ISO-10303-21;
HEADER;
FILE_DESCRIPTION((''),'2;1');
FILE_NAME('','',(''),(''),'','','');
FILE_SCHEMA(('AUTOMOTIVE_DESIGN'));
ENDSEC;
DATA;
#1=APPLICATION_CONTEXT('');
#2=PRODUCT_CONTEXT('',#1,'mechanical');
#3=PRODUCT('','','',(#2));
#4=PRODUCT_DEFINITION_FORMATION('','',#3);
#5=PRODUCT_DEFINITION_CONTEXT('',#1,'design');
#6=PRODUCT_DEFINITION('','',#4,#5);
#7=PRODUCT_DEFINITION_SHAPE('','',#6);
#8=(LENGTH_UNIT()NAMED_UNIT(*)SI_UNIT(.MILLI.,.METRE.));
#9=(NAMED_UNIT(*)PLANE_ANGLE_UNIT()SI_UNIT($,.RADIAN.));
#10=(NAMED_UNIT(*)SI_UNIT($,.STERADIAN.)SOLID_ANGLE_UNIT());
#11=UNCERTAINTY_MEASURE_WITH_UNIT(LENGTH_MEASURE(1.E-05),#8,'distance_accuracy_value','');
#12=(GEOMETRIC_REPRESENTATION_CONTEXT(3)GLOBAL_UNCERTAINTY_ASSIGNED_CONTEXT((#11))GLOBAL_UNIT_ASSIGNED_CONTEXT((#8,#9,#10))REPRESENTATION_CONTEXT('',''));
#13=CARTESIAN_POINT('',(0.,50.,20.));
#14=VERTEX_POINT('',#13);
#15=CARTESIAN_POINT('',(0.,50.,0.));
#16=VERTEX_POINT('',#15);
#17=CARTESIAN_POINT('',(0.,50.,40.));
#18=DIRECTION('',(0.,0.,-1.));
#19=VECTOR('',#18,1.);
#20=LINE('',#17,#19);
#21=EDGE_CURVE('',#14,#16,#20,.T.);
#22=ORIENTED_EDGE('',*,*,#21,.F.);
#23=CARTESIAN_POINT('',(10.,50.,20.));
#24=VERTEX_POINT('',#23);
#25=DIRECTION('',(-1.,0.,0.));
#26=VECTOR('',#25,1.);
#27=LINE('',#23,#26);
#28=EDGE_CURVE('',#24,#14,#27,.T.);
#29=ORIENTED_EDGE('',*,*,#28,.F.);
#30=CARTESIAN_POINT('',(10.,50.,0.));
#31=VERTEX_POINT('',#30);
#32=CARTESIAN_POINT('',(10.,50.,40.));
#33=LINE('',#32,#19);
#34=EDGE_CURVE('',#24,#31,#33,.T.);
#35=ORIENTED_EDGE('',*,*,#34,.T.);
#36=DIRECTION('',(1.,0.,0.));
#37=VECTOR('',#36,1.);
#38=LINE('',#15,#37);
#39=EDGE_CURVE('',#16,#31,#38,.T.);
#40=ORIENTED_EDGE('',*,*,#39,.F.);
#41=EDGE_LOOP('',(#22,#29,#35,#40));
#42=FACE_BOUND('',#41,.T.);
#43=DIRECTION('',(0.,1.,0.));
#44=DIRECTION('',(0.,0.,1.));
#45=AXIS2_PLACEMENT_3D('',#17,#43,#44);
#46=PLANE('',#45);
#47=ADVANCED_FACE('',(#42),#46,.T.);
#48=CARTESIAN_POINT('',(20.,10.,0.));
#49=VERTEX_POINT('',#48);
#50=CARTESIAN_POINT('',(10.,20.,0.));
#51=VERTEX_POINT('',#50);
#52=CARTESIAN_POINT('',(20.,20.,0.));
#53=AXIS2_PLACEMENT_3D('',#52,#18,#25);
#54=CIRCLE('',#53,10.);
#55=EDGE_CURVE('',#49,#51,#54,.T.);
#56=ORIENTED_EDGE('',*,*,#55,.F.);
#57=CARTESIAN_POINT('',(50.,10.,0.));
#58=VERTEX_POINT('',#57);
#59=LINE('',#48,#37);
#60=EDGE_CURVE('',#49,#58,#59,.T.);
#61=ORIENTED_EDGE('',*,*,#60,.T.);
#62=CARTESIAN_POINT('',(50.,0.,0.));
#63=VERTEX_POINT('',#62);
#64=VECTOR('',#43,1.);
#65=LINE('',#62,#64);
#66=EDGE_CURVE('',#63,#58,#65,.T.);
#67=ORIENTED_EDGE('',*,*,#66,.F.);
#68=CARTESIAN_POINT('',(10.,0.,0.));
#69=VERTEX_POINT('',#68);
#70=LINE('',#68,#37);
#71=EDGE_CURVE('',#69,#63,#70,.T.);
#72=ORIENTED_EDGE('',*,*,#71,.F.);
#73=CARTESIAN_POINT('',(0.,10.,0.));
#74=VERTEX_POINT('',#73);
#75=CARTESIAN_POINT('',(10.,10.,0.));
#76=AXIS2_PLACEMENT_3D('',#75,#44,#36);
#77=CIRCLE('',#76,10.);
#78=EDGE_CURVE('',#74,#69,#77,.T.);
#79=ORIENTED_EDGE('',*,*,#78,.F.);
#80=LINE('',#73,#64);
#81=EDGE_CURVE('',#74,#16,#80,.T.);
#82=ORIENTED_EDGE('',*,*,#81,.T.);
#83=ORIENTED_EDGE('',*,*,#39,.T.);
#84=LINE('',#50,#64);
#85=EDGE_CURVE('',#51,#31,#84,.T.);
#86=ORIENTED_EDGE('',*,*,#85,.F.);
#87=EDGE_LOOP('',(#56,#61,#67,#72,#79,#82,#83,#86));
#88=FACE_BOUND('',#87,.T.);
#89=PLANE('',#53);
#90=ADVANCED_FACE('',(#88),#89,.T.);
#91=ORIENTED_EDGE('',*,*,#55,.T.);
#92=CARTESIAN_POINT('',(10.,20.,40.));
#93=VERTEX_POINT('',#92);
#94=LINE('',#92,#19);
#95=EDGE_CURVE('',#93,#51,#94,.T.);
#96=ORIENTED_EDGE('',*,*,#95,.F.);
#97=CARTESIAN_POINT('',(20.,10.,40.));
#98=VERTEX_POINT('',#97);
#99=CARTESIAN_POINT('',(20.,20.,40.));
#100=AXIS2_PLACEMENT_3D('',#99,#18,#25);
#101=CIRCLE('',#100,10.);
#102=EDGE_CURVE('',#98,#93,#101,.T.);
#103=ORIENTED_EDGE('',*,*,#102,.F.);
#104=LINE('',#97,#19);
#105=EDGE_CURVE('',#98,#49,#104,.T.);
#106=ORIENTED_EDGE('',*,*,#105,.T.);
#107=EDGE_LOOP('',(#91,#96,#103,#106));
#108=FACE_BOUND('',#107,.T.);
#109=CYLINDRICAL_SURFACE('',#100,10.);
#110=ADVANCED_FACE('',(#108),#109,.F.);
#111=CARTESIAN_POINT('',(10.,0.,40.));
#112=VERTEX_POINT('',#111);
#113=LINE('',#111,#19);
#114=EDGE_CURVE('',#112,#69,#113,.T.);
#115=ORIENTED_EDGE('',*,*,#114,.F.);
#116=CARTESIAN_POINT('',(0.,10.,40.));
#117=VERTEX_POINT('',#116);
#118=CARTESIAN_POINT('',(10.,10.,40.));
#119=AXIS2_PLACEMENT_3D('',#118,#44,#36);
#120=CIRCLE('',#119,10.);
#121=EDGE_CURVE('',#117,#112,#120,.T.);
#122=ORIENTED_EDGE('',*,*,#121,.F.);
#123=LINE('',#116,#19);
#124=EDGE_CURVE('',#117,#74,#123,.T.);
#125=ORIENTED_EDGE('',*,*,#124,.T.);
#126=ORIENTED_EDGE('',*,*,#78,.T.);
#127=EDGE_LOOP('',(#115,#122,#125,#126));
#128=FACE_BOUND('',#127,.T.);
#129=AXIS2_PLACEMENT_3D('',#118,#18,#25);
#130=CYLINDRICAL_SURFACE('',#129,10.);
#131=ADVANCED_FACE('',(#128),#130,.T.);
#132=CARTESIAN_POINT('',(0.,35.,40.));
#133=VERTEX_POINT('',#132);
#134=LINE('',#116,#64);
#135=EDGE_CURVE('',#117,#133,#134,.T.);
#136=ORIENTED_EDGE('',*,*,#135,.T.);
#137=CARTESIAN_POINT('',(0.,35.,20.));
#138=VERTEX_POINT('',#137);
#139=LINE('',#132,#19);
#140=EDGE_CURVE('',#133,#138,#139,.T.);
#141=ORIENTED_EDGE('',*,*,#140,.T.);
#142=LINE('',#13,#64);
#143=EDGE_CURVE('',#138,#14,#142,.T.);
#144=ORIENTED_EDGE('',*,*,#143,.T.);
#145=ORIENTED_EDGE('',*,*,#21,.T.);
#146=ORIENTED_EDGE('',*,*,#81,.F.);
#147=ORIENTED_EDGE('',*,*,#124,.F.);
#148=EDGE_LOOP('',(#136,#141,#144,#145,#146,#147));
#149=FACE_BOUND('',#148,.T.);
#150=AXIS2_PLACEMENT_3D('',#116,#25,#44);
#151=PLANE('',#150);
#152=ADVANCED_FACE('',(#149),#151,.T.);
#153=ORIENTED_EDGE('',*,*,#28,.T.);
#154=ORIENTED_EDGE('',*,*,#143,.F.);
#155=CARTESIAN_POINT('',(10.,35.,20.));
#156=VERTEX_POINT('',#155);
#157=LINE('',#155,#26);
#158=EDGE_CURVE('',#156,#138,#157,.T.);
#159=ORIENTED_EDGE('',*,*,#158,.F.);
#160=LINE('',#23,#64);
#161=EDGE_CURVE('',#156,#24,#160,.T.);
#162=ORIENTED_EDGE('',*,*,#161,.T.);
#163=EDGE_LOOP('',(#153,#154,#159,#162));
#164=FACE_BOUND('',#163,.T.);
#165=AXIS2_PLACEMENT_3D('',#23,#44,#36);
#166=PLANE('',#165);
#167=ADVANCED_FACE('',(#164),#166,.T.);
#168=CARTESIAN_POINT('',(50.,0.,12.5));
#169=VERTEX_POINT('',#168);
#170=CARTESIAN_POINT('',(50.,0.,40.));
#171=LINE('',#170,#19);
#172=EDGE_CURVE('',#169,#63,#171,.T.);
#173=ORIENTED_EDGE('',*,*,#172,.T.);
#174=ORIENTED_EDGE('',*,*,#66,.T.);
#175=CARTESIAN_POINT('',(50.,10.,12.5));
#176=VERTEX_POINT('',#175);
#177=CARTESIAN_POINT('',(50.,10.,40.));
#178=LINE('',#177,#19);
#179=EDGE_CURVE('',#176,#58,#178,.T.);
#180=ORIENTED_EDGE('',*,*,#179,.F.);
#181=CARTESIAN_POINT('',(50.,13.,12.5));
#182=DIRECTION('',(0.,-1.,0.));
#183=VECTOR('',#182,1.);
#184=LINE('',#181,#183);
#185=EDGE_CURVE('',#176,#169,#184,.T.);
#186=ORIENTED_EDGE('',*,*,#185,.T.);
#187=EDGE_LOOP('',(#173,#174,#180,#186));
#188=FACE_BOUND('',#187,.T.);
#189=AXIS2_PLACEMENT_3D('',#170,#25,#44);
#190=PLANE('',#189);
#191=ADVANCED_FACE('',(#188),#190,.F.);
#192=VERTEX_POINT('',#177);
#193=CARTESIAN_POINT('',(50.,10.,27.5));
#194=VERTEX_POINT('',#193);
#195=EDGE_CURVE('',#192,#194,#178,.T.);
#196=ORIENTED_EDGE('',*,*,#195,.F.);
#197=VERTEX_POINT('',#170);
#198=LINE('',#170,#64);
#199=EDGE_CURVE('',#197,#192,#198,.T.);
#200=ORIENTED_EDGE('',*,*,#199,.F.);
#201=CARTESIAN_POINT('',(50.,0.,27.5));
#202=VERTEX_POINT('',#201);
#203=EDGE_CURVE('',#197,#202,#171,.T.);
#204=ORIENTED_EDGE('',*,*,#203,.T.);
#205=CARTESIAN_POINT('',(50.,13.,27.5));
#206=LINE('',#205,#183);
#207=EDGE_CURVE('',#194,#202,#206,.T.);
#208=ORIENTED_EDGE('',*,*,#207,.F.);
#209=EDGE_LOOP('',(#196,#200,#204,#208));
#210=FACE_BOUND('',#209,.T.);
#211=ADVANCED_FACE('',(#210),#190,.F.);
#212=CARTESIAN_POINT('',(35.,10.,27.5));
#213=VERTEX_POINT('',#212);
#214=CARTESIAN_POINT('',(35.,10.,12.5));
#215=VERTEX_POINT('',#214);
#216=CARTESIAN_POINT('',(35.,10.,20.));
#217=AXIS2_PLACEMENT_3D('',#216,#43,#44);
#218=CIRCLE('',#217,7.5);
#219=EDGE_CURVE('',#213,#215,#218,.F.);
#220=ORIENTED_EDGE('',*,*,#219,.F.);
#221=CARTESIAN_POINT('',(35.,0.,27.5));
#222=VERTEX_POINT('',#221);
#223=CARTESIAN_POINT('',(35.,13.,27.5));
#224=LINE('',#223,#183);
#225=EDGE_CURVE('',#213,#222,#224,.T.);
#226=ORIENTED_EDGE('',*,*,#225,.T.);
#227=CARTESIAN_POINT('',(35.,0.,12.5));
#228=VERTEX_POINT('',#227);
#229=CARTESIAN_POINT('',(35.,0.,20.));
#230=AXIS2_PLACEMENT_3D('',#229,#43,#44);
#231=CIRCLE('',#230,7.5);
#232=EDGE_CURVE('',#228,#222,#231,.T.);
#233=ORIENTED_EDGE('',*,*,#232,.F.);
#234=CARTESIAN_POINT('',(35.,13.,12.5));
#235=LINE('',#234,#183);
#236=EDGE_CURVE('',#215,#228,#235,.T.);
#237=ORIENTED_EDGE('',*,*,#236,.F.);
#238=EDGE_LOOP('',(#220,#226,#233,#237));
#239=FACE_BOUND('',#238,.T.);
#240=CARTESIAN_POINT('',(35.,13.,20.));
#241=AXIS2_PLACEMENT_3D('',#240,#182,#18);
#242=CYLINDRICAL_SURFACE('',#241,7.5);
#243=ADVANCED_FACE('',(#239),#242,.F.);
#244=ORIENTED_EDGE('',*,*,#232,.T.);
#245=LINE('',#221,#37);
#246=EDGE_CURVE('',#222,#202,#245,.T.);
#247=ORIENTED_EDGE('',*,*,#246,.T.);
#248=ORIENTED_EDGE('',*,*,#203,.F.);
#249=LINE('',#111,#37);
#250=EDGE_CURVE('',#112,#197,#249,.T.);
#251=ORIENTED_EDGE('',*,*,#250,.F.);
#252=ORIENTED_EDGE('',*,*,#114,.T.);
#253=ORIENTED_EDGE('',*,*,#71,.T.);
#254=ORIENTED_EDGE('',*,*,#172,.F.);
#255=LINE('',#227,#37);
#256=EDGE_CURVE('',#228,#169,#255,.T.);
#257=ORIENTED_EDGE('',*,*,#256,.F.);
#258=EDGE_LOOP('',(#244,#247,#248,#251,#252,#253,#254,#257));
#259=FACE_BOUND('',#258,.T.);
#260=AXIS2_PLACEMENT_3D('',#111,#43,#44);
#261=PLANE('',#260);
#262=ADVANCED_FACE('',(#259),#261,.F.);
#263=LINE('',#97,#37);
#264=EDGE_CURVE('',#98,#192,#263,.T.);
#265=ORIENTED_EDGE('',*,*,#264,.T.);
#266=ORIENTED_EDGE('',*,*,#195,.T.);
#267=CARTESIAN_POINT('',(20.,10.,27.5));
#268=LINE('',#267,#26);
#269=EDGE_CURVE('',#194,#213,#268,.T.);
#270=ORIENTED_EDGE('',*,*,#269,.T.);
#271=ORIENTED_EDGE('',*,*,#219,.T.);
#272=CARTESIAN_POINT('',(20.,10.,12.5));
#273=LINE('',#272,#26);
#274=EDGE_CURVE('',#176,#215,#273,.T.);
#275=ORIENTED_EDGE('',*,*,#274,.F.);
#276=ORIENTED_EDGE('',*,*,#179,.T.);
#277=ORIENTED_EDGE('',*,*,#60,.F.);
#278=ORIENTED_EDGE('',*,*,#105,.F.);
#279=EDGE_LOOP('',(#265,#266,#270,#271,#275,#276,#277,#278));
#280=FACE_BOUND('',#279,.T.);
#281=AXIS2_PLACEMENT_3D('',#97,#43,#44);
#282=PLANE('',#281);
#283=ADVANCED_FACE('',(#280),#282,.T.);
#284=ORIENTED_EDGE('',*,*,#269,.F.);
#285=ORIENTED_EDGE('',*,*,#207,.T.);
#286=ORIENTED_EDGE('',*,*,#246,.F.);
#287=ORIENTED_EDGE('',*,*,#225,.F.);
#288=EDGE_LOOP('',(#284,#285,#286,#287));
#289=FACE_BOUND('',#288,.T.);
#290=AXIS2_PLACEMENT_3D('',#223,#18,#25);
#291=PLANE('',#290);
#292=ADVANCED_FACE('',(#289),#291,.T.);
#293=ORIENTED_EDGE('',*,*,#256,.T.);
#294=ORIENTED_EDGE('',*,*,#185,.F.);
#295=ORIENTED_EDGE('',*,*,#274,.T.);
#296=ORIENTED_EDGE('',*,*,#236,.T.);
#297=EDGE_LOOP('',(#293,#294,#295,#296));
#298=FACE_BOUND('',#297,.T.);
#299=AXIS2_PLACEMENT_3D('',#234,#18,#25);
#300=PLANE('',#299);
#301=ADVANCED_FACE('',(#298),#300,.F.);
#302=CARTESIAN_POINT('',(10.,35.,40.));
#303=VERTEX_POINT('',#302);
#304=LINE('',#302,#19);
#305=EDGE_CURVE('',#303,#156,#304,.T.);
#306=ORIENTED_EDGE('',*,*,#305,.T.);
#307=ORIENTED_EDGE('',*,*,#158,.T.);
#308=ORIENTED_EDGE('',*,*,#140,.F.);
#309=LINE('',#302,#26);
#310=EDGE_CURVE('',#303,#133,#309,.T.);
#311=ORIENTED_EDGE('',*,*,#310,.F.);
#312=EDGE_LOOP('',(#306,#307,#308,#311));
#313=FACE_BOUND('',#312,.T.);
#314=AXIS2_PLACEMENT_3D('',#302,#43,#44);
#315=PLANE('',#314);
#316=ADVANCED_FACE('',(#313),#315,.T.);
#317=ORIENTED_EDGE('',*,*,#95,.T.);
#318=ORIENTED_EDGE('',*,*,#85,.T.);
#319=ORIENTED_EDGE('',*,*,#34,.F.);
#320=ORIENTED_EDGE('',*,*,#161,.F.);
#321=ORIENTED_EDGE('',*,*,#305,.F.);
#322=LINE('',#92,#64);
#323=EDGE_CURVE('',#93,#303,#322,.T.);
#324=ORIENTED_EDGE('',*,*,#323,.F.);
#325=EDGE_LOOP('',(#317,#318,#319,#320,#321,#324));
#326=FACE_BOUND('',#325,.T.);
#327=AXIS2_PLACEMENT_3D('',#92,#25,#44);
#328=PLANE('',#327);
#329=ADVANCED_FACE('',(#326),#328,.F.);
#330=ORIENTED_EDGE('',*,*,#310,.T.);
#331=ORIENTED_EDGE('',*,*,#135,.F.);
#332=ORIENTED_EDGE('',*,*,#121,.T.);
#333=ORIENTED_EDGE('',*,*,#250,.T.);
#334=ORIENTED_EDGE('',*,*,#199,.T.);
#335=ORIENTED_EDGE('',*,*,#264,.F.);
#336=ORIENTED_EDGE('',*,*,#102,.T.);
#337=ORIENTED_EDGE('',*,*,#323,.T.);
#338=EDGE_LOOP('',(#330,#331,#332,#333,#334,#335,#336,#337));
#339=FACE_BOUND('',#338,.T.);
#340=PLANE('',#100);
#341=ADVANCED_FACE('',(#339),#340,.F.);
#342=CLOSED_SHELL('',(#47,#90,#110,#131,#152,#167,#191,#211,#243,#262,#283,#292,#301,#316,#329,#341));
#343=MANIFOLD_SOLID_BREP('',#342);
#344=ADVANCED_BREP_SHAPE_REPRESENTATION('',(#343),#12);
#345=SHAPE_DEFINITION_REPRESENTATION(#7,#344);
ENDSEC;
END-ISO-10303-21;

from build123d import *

# Parameters (mm, degrees)
BOSS_EXTRUDE2_DEPTH = 40
SKETCH4_W           = 20
SKETCH4_H           = 15
CUT_EXTRUDE1_DEPTH  = 10
SKETCH5_R           = 7.5
CUT_EXTRUDE2_DEPTH  = 13


with BuildPart() as part:
    # Sketch2 → Boss-Extrude2 (new body)
    with BuildSketch(Plane.XY):
        with BuildLine():
            Line((0, 10), (0, 50))
            Line((0, 50), (10, 50))
            Line((10, 50), (10, 20))
            ThreePointArc((10, 20), (12.928932188, 12.928932188), (20, 10))
            Line((20, 10), (50, 10))
            Line((50, 10), (50, 0))
            Line((50, 0), (10, 0))
            ThreePointArc((10, 0), (2.928932188, 2.928932188), (0, 10))
        make_face()
    extrude(amount=BOSS_EXTRUDE2_DEPTH)

    # Sketch4 → Cut-Extrude1 (cut)
    with BuildSketch(Plane(origin=(0, 0, 0), x_dir=(0, 0, -1), z_dir=(1, 0, 0))):
        with Locations((-30, 42.5)):
            Rectangle(SKETCH4_W, SKETCH4_H)
    extrude(amount=CUT_EXTRUDE1_DEPTH, mode=Mode.SUBTRACT)

    # Sketch5 → Cut-Extrude2 (cut)
    with BuildSketch(Plane(origin=(0, 0, 0), x_dir=(1, 0, 0), z_dir=(0, 1, 0))):
        with Locations((35, -20)):
            Circle(SKETCH5_R)
        Polygon((35, -20), (35, -12.5), (50, -12.5), (50, -27.5), (35, -27.5), align=None)
    extrude(amount=CUT_EXTRUDE2_DEPTH, mode=Mode.SUBTRACT)


solid = part.part
